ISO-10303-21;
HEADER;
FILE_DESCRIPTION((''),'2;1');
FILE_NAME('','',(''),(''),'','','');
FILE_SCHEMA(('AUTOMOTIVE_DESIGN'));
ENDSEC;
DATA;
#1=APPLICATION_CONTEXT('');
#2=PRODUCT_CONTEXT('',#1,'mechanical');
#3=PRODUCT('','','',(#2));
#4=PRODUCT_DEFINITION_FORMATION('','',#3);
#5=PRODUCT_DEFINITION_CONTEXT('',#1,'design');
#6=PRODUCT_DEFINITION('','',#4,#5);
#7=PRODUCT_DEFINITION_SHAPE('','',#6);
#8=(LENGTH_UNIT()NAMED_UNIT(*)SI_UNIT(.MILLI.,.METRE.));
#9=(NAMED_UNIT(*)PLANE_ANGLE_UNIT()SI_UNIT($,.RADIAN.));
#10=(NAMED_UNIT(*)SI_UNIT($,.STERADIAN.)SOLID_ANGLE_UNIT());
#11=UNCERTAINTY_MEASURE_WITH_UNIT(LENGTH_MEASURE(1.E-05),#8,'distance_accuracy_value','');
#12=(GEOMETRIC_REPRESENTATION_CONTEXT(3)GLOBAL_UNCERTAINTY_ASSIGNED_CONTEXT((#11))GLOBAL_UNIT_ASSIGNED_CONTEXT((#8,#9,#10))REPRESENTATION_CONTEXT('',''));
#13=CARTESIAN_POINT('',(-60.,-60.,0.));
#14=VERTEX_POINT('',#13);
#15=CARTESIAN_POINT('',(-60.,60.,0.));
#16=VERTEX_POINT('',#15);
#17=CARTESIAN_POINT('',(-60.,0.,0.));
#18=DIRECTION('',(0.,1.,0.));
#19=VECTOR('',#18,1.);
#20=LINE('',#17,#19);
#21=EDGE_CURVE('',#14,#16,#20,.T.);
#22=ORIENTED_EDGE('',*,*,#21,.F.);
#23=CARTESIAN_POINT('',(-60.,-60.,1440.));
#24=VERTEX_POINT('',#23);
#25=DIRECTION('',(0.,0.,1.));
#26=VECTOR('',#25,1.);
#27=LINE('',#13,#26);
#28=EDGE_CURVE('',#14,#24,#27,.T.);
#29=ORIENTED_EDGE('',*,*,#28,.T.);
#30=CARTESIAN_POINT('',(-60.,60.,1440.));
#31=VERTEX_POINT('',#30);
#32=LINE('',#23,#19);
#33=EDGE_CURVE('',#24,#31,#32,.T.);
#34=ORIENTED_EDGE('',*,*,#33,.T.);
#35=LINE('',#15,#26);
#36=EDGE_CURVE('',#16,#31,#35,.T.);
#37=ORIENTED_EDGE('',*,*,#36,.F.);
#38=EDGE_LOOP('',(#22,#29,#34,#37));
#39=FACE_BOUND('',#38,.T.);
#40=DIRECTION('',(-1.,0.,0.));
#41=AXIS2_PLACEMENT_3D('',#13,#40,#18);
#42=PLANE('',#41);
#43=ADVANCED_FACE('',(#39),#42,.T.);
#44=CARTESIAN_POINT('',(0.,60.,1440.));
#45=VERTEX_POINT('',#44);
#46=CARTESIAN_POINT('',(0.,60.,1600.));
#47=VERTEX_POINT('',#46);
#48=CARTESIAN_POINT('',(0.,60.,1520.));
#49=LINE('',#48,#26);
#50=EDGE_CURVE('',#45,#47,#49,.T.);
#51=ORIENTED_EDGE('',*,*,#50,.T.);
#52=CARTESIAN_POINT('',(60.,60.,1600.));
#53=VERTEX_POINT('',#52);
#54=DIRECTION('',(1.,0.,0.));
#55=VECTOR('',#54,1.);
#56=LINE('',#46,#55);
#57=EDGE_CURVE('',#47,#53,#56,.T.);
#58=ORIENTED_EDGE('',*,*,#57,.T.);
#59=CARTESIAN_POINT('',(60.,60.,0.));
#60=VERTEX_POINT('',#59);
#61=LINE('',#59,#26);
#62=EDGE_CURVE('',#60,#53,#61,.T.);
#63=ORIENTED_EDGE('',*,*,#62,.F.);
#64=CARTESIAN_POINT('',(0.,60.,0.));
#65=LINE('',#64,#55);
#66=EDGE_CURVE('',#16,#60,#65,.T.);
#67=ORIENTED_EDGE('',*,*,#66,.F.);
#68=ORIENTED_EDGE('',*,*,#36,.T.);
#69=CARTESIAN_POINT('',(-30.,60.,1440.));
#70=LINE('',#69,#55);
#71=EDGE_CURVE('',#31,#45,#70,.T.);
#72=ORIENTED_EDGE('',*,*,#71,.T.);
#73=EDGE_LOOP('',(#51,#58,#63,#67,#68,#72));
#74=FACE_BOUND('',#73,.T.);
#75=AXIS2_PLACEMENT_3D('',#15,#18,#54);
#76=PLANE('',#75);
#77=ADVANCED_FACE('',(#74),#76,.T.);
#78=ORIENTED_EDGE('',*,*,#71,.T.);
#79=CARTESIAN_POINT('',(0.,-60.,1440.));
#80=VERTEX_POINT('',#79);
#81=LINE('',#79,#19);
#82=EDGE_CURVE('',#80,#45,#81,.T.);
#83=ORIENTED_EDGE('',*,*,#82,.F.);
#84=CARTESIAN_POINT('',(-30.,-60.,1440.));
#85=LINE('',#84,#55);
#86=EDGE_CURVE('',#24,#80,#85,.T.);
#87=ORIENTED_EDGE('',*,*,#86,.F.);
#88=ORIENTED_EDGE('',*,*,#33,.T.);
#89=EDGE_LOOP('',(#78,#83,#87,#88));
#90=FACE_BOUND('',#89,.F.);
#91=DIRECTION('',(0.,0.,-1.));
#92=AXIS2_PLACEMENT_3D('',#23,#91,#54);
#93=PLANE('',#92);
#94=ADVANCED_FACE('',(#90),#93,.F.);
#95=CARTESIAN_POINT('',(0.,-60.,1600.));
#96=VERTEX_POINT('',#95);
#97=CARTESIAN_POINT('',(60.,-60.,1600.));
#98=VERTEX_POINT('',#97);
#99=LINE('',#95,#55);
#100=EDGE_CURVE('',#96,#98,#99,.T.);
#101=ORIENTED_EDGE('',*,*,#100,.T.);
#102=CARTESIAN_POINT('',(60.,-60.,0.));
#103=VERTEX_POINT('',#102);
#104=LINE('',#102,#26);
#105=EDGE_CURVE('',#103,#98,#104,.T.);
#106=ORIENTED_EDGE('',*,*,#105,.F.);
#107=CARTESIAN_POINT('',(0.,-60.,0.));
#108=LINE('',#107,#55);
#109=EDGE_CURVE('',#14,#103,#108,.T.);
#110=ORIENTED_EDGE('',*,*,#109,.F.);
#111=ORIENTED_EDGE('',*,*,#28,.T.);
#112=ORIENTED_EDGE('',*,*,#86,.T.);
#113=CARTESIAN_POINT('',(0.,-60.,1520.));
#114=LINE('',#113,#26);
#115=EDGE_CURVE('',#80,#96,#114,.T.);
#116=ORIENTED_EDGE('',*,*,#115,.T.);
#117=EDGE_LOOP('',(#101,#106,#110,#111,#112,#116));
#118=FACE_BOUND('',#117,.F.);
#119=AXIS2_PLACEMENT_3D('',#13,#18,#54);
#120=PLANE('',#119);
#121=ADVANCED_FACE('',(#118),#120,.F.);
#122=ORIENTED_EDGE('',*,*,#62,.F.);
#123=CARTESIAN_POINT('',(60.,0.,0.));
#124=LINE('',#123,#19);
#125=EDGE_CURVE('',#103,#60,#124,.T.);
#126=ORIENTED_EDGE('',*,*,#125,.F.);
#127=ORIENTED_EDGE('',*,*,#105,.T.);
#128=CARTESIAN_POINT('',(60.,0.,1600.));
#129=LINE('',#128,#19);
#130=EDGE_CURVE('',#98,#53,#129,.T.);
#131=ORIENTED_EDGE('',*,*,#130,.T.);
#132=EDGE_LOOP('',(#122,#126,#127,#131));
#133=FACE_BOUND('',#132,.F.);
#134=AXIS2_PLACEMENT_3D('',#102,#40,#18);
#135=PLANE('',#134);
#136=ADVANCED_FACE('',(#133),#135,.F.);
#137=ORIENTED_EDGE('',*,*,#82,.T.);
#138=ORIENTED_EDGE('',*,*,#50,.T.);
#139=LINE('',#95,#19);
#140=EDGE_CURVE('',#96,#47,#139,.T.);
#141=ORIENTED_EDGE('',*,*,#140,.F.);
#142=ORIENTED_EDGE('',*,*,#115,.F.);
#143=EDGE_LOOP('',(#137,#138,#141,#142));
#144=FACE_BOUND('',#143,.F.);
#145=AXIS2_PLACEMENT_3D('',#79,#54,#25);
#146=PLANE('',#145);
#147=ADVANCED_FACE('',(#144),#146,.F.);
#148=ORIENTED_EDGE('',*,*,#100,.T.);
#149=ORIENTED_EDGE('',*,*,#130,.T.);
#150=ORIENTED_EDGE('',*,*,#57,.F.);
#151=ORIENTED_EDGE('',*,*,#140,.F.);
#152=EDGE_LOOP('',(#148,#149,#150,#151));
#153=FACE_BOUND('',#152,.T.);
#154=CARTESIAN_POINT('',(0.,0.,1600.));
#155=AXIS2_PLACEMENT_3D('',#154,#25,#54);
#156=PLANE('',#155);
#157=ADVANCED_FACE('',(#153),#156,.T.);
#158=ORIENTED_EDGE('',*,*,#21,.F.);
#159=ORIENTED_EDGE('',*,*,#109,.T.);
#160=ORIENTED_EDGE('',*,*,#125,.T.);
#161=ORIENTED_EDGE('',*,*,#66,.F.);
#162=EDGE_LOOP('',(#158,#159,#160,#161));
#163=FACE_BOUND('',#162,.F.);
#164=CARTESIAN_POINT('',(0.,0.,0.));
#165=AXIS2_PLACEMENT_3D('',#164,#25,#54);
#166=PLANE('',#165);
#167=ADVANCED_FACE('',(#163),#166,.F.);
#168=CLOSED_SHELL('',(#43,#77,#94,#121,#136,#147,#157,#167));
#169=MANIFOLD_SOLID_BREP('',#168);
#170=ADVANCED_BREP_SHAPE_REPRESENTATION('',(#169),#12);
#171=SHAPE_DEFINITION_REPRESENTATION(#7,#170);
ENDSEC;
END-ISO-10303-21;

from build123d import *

# Parameters (mm, degrees)
F1_W     = 120
F1_H     = 120
F2_DEPTH = 1600
F3_W     = 60
F3_H     = 160
F4_DEPTH = 120


with BuildPart() as f2:
    # F1 (on Top) → F2 (new body)
    with BuildSketch(Plane.XY):
        Rectangle(F1_W, F1_H)
    extrude(amount=F2_DEPTH)

    # F3 (on face) → F4 (cut, through all)
    with BuildSketch(Plane.XZ.offset(60)):
        with Locations((-30, 1520)):
            Rectangle(F3_W, F3_H)
    extrude(amount=-F4_DEPTH, mode=Mode.SUBTRACT)


solid = f2.part
